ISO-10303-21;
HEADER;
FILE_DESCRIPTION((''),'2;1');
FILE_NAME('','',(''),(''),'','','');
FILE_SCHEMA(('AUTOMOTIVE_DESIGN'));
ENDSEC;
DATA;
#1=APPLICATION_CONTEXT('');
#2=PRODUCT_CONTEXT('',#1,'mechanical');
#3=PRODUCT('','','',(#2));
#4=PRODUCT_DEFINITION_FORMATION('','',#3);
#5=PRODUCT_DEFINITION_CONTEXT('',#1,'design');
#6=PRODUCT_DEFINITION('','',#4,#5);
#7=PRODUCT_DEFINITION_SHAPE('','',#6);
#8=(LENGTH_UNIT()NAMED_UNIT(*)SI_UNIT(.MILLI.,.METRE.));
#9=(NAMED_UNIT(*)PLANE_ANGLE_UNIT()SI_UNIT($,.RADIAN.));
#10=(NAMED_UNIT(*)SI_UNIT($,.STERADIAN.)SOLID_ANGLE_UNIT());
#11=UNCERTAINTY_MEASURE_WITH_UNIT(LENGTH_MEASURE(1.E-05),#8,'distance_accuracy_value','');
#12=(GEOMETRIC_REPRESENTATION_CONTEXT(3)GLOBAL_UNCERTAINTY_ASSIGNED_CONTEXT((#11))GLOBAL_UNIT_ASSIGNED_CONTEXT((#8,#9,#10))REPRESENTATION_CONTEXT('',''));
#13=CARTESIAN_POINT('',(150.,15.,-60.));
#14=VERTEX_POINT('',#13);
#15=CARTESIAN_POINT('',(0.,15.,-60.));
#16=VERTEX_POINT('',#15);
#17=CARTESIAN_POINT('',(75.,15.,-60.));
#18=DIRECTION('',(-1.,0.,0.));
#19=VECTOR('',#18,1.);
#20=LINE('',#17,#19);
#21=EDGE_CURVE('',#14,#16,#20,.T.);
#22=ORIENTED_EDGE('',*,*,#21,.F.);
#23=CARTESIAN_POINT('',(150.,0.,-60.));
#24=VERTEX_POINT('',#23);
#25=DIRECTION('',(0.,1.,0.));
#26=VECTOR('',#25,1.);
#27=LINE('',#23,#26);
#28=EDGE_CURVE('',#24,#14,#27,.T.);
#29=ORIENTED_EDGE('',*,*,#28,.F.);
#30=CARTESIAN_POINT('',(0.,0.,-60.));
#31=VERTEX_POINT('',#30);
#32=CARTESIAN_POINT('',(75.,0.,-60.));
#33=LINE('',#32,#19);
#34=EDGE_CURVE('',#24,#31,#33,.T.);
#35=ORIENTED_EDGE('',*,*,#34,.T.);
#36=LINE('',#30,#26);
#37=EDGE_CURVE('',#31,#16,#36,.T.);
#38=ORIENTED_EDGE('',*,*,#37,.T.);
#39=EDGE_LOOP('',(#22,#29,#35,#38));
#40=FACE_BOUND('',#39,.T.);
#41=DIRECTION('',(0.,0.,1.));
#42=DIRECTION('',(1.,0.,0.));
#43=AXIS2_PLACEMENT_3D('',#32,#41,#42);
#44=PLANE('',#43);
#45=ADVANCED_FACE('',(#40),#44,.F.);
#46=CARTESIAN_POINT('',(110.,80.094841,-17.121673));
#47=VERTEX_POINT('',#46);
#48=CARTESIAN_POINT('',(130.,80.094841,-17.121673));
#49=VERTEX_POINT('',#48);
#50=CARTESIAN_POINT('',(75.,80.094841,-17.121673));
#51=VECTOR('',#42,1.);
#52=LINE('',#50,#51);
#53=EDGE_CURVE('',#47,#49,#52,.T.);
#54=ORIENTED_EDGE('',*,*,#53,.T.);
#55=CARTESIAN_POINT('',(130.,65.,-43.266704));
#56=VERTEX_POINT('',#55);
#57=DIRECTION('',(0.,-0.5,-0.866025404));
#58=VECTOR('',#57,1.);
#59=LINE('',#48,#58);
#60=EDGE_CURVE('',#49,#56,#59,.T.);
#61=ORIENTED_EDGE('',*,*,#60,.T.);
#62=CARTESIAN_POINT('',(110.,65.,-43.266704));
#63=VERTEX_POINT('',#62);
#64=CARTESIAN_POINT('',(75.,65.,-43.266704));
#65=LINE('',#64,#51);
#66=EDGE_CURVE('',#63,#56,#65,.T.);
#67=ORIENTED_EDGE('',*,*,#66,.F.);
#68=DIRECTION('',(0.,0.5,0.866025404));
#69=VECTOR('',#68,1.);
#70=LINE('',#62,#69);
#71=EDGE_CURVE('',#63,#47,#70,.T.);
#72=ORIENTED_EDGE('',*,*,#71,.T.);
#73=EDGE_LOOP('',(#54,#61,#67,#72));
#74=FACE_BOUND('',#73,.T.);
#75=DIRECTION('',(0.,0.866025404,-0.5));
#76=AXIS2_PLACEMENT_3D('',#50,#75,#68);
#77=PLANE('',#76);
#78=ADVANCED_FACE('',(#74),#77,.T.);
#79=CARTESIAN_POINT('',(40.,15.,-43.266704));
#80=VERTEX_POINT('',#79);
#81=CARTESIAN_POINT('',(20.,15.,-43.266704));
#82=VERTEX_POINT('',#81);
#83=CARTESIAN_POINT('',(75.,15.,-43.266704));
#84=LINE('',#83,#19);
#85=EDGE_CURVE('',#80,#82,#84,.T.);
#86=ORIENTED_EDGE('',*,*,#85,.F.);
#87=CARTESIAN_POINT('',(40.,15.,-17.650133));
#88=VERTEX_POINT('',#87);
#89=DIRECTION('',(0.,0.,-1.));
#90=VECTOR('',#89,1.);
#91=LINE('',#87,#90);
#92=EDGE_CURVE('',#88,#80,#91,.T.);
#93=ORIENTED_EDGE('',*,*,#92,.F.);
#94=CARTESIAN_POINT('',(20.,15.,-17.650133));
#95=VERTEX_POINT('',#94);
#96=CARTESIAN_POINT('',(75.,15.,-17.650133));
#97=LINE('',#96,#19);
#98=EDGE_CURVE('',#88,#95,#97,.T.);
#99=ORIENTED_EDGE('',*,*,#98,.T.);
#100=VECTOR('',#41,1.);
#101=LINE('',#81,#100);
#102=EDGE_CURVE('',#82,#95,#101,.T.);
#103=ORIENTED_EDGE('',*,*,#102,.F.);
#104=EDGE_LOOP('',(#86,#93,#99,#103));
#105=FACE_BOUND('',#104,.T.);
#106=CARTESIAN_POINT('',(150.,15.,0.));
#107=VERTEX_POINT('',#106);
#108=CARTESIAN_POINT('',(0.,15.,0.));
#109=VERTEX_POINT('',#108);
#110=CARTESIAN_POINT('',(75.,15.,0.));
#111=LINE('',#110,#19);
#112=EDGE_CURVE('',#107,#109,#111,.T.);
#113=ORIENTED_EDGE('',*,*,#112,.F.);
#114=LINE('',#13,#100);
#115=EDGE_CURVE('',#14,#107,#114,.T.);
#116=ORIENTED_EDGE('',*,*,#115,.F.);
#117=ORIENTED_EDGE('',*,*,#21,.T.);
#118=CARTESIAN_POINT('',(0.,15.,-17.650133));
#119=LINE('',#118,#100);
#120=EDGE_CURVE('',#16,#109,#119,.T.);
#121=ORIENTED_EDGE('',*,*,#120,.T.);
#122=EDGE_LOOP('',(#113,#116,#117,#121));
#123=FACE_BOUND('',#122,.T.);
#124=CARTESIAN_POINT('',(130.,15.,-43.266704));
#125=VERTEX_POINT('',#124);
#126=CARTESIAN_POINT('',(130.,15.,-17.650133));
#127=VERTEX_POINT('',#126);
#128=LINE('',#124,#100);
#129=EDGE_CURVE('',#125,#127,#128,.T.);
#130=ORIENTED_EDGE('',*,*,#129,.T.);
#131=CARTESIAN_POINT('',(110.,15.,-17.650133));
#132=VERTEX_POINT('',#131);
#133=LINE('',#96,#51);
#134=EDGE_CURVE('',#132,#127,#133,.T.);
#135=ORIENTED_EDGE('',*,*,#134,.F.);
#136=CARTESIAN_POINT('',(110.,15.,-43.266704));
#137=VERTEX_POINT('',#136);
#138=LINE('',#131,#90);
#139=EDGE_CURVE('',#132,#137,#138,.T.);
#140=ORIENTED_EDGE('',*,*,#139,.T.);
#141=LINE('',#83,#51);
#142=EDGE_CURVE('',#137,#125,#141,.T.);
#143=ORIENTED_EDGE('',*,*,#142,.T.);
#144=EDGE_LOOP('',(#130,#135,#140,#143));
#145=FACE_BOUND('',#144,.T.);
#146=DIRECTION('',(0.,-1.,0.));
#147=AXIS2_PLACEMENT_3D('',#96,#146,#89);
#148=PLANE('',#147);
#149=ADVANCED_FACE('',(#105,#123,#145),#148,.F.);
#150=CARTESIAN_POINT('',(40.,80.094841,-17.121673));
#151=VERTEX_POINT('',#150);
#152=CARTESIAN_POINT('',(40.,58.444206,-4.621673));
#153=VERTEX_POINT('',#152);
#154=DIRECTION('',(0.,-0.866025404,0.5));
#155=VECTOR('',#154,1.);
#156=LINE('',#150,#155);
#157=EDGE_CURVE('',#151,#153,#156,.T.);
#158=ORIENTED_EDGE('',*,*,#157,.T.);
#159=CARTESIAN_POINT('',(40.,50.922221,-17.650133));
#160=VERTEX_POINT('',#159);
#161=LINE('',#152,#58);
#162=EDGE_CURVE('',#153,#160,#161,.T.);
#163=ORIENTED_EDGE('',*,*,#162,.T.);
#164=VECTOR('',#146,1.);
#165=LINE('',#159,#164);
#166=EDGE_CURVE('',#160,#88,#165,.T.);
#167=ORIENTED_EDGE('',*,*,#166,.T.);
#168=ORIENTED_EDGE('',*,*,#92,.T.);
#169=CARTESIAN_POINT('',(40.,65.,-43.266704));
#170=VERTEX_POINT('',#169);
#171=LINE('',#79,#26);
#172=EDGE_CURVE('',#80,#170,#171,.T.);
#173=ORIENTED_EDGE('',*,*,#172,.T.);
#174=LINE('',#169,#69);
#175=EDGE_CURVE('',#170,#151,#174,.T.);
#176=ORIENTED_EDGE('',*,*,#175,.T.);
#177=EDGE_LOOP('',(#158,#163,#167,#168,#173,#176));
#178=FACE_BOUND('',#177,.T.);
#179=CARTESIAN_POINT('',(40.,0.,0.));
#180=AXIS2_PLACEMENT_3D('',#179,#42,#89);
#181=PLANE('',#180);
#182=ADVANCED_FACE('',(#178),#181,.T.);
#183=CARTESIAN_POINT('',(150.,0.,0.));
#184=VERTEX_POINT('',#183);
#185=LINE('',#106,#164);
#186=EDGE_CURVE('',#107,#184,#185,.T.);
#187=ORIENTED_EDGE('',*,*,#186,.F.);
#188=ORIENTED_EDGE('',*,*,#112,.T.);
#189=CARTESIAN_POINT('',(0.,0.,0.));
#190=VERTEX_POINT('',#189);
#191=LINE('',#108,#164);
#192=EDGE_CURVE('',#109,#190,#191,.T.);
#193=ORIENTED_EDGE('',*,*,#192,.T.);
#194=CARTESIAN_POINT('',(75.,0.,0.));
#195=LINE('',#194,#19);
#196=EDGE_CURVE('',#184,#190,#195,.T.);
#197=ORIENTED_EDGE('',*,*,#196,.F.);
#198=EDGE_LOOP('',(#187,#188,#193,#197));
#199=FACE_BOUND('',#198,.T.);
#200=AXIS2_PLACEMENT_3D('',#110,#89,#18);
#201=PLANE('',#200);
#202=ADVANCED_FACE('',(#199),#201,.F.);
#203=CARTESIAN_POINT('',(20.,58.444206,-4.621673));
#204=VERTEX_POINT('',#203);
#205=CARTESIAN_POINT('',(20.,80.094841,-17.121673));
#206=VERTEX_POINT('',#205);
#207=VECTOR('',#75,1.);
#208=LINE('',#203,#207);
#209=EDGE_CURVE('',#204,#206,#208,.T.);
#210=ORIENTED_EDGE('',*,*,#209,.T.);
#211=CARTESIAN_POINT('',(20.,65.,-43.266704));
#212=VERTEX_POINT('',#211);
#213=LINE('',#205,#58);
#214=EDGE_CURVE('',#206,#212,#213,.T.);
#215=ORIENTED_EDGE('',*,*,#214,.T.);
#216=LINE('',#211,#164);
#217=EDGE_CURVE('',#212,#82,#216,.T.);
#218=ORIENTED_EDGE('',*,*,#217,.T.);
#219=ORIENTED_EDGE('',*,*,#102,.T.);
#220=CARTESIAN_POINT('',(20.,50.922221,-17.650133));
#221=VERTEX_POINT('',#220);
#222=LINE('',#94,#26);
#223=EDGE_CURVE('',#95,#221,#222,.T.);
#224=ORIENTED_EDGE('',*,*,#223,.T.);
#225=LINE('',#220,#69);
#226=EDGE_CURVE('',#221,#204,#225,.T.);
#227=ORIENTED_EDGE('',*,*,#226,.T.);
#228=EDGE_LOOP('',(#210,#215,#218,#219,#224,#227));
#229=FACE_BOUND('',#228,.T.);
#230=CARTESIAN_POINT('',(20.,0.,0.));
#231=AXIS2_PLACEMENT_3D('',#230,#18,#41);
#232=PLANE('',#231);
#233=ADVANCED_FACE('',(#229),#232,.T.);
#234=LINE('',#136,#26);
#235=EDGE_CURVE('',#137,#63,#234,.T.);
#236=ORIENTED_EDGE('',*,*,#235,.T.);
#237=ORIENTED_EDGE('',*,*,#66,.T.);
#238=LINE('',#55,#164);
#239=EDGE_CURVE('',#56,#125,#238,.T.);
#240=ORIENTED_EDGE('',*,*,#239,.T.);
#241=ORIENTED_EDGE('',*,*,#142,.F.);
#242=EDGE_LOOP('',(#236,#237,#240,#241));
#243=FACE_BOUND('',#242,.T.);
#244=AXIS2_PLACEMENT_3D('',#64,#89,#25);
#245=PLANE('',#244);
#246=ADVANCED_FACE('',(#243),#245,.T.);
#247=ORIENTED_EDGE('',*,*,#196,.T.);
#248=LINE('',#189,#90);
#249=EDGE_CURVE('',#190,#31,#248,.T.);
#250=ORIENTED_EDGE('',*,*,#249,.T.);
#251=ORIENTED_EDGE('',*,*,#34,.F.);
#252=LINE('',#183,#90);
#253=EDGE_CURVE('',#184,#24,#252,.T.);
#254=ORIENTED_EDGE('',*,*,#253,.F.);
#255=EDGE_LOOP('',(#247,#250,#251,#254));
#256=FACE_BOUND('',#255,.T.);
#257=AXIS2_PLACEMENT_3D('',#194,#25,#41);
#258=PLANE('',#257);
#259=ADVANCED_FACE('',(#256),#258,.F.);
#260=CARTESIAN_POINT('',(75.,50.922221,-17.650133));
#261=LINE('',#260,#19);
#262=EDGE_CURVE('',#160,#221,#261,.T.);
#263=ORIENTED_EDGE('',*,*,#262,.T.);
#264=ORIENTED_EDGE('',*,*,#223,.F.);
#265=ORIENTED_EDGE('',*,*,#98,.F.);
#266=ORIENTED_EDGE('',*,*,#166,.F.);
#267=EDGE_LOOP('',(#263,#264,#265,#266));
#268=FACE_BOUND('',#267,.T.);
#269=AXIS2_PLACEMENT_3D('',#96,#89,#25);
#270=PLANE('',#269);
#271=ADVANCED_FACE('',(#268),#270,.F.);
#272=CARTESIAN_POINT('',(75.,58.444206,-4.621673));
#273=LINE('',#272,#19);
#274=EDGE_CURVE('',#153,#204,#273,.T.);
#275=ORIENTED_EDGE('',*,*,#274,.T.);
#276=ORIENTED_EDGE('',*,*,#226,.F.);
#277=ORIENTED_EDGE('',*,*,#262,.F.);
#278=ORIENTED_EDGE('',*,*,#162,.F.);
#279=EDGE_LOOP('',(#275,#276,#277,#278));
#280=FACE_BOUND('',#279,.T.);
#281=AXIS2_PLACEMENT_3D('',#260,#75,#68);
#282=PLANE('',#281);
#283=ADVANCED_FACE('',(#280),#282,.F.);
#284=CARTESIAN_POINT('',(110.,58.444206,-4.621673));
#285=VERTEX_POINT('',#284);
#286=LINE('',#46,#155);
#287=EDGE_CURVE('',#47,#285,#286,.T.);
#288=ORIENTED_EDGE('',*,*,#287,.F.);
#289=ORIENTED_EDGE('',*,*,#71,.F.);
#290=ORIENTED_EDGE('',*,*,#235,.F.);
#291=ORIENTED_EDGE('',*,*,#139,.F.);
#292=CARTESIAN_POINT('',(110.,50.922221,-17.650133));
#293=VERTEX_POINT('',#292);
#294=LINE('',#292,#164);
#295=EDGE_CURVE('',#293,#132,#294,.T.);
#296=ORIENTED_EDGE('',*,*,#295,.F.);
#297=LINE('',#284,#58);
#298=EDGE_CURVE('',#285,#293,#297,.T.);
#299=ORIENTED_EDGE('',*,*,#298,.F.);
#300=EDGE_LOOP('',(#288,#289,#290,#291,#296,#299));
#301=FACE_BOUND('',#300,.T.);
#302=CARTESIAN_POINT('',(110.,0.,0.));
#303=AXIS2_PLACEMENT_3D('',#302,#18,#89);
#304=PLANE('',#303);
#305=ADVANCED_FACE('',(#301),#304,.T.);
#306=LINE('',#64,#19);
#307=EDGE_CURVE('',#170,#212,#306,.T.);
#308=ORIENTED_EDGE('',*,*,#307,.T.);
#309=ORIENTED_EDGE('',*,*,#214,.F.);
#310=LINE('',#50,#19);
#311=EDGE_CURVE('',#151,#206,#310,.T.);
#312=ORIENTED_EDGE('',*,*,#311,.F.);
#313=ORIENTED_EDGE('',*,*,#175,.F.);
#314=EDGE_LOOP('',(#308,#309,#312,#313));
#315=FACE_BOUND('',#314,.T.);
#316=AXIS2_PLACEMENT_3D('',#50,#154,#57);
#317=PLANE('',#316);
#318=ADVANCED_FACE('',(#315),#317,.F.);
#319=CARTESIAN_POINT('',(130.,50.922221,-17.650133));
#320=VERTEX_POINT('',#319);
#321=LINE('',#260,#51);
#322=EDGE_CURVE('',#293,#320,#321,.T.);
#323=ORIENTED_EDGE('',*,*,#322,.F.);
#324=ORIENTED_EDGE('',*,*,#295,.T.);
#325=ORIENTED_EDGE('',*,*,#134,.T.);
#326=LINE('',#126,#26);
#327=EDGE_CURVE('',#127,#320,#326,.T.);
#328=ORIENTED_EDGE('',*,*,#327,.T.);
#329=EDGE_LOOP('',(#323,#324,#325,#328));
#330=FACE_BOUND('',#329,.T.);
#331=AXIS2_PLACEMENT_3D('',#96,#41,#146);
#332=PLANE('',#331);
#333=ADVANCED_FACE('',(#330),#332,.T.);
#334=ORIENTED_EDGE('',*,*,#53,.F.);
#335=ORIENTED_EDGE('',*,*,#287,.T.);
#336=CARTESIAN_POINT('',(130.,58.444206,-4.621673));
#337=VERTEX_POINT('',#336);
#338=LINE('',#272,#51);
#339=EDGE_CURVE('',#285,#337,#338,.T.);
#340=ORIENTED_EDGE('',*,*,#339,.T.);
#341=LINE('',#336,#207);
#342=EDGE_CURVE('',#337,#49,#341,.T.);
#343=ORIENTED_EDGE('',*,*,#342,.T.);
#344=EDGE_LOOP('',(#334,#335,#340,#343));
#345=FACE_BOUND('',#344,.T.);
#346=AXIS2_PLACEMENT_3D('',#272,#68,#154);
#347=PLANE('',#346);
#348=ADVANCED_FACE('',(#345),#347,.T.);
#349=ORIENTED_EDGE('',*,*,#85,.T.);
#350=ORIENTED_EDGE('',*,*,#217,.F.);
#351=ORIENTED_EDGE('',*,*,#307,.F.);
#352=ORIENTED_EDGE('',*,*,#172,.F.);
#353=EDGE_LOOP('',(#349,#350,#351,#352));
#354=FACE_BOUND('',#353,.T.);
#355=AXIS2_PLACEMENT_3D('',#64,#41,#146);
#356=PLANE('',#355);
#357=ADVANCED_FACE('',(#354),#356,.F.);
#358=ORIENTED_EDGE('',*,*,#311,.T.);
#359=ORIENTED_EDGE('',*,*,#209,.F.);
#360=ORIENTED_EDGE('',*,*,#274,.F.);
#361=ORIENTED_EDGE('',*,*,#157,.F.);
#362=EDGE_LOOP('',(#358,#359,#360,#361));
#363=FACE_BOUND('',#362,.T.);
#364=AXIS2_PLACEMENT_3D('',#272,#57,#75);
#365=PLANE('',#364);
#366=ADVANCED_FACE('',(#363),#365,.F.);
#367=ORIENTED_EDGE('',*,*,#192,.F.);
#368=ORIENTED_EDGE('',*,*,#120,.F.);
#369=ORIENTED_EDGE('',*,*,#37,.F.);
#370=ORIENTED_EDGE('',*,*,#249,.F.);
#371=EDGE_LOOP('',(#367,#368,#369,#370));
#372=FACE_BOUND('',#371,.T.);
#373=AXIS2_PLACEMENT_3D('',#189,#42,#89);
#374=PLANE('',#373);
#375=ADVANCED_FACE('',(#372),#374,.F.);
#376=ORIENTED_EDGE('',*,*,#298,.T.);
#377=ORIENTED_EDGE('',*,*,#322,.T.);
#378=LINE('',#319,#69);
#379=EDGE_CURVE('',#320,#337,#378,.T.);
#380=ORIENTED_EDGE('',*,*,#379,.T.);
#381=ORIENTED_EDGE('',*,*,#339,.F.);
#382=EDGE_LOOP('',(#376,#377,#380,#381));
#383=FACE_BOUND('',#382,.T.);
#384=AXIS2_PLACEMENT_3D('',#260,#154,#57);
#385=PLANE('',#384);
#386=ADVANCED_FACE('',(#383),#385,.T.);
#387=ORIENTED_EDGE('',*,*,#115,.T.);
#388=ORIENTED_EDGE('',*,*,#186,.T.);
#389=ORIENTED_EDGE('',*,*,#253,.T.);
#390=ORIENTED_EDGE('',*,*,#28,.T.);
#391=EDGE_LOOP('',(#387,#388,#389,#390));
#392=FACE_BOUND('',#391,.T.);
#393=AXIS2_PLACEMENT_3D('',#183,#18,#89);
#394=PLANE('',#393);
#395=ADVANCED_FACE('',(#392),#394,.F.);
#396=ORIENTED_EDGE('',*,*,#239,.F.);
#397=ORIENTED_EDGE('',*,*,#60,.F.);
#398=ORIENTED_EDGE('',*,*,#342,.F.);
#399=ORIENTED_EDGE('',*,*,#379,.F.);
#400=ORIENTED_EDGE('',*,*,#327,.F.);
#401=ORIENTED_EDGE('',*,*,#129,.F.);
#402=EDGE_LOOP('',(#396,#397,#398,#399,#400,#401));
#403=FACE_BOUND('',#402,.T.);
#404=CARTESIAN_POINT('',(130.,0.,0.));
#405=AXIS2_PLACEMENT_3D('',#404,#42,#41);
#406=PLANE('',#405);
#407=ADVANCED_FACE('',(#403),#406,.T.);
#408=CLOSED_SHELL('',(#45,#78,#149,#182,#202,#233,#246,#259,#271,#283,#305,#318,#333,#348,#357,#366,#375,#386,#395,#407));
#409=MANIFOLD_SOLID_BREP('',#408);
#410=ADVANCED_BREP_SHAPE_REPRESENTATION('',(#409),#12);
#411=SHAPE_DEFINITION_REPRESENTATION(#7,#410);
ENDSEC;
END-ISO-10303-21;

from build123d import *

# Parameters (mm, degrees)
BOSS_EXTRUDE1_DEPTH = 75
CUT_EXTRUDE5_DEPTH  = 20
CUT_EXTRUDE6_DEPTH  = 35


with BuildPart() as part:
    # Sketch1 → Boss-Extrude1 (new body)
    with BuildSketch(Plane(origin=(0, 0, 0), x_dir=(0, 0, -1), z_dir=(1, 0, 0))):
        Polygon((0, 0), (60, 0), (60, 15), (43.266704148, 15), (43.266704148, 65), (17.121672742, 80.09484092), (4.621672742, 58.444205825), (17.650132663, 50.922220983), (17.650132663, 15), (0, 15), align=None)
    boss_extrude1 = extrude(amount=BOSS_EXTRUDE1_DEPTH)

    # Sketch6 → Cut-Extrude5 (cut)
    with BuildSketch(Plane.ZY):
        Polygon((-43.266704148, 15), (-17.650132663, 15), (-17.650132663, 50.922220983), (-4.621672742, 58.444205825), (-17.121672742, 80.09484092), (-43.266704148, 65), align=None)
    cut_extrude5 = extrude(amount=-CUT_EXTRUDE5_DEPTH, mode=Mode.SUBTRACT)

    # Sketch7 → Cut-Extrude6 (cut)
    with BuildSketch(Plane(origin=(75, 0, 0), x_dir=(0, 0, -1), z_dir=(1, 0, 0))):
        Polygon((17.650132663, 15), (43.266704148, 15), (43.266704148, 65), (17.121672742, 80.09484092), (4.621672742, 58.444205825), (17.650132663, 50.922220983), align=None)
    cut_extrude6 = extrude(amount=-CUT_EXTRUDE6_DEPTH, mode=Mode.SUBTRACT)

    # Mirror2: Boss-Extrude1, Cut-Extrude5, Cut-Extrude6 across plane
    add(boss_extrude1.mirror(Plane(origin=(75, 0, 0), x_dir=(0, 0, 1), z_dir=(1, 0, 0))))
    add(cut_extrude5.mirror(Plane(origin=(75, 0, 0), x_dir=(0, 0, 1), z_dir=(1, 0, 0))), mode=Mode.SUBTRACT)
    add(cut_extrude6.mirror(Plane(origin=(75, 0, 0), x_dir=(0, 0, 1), z_dir=(1, 0, 0))), mode=Mode.SUBTRACT)


solid = part.part
